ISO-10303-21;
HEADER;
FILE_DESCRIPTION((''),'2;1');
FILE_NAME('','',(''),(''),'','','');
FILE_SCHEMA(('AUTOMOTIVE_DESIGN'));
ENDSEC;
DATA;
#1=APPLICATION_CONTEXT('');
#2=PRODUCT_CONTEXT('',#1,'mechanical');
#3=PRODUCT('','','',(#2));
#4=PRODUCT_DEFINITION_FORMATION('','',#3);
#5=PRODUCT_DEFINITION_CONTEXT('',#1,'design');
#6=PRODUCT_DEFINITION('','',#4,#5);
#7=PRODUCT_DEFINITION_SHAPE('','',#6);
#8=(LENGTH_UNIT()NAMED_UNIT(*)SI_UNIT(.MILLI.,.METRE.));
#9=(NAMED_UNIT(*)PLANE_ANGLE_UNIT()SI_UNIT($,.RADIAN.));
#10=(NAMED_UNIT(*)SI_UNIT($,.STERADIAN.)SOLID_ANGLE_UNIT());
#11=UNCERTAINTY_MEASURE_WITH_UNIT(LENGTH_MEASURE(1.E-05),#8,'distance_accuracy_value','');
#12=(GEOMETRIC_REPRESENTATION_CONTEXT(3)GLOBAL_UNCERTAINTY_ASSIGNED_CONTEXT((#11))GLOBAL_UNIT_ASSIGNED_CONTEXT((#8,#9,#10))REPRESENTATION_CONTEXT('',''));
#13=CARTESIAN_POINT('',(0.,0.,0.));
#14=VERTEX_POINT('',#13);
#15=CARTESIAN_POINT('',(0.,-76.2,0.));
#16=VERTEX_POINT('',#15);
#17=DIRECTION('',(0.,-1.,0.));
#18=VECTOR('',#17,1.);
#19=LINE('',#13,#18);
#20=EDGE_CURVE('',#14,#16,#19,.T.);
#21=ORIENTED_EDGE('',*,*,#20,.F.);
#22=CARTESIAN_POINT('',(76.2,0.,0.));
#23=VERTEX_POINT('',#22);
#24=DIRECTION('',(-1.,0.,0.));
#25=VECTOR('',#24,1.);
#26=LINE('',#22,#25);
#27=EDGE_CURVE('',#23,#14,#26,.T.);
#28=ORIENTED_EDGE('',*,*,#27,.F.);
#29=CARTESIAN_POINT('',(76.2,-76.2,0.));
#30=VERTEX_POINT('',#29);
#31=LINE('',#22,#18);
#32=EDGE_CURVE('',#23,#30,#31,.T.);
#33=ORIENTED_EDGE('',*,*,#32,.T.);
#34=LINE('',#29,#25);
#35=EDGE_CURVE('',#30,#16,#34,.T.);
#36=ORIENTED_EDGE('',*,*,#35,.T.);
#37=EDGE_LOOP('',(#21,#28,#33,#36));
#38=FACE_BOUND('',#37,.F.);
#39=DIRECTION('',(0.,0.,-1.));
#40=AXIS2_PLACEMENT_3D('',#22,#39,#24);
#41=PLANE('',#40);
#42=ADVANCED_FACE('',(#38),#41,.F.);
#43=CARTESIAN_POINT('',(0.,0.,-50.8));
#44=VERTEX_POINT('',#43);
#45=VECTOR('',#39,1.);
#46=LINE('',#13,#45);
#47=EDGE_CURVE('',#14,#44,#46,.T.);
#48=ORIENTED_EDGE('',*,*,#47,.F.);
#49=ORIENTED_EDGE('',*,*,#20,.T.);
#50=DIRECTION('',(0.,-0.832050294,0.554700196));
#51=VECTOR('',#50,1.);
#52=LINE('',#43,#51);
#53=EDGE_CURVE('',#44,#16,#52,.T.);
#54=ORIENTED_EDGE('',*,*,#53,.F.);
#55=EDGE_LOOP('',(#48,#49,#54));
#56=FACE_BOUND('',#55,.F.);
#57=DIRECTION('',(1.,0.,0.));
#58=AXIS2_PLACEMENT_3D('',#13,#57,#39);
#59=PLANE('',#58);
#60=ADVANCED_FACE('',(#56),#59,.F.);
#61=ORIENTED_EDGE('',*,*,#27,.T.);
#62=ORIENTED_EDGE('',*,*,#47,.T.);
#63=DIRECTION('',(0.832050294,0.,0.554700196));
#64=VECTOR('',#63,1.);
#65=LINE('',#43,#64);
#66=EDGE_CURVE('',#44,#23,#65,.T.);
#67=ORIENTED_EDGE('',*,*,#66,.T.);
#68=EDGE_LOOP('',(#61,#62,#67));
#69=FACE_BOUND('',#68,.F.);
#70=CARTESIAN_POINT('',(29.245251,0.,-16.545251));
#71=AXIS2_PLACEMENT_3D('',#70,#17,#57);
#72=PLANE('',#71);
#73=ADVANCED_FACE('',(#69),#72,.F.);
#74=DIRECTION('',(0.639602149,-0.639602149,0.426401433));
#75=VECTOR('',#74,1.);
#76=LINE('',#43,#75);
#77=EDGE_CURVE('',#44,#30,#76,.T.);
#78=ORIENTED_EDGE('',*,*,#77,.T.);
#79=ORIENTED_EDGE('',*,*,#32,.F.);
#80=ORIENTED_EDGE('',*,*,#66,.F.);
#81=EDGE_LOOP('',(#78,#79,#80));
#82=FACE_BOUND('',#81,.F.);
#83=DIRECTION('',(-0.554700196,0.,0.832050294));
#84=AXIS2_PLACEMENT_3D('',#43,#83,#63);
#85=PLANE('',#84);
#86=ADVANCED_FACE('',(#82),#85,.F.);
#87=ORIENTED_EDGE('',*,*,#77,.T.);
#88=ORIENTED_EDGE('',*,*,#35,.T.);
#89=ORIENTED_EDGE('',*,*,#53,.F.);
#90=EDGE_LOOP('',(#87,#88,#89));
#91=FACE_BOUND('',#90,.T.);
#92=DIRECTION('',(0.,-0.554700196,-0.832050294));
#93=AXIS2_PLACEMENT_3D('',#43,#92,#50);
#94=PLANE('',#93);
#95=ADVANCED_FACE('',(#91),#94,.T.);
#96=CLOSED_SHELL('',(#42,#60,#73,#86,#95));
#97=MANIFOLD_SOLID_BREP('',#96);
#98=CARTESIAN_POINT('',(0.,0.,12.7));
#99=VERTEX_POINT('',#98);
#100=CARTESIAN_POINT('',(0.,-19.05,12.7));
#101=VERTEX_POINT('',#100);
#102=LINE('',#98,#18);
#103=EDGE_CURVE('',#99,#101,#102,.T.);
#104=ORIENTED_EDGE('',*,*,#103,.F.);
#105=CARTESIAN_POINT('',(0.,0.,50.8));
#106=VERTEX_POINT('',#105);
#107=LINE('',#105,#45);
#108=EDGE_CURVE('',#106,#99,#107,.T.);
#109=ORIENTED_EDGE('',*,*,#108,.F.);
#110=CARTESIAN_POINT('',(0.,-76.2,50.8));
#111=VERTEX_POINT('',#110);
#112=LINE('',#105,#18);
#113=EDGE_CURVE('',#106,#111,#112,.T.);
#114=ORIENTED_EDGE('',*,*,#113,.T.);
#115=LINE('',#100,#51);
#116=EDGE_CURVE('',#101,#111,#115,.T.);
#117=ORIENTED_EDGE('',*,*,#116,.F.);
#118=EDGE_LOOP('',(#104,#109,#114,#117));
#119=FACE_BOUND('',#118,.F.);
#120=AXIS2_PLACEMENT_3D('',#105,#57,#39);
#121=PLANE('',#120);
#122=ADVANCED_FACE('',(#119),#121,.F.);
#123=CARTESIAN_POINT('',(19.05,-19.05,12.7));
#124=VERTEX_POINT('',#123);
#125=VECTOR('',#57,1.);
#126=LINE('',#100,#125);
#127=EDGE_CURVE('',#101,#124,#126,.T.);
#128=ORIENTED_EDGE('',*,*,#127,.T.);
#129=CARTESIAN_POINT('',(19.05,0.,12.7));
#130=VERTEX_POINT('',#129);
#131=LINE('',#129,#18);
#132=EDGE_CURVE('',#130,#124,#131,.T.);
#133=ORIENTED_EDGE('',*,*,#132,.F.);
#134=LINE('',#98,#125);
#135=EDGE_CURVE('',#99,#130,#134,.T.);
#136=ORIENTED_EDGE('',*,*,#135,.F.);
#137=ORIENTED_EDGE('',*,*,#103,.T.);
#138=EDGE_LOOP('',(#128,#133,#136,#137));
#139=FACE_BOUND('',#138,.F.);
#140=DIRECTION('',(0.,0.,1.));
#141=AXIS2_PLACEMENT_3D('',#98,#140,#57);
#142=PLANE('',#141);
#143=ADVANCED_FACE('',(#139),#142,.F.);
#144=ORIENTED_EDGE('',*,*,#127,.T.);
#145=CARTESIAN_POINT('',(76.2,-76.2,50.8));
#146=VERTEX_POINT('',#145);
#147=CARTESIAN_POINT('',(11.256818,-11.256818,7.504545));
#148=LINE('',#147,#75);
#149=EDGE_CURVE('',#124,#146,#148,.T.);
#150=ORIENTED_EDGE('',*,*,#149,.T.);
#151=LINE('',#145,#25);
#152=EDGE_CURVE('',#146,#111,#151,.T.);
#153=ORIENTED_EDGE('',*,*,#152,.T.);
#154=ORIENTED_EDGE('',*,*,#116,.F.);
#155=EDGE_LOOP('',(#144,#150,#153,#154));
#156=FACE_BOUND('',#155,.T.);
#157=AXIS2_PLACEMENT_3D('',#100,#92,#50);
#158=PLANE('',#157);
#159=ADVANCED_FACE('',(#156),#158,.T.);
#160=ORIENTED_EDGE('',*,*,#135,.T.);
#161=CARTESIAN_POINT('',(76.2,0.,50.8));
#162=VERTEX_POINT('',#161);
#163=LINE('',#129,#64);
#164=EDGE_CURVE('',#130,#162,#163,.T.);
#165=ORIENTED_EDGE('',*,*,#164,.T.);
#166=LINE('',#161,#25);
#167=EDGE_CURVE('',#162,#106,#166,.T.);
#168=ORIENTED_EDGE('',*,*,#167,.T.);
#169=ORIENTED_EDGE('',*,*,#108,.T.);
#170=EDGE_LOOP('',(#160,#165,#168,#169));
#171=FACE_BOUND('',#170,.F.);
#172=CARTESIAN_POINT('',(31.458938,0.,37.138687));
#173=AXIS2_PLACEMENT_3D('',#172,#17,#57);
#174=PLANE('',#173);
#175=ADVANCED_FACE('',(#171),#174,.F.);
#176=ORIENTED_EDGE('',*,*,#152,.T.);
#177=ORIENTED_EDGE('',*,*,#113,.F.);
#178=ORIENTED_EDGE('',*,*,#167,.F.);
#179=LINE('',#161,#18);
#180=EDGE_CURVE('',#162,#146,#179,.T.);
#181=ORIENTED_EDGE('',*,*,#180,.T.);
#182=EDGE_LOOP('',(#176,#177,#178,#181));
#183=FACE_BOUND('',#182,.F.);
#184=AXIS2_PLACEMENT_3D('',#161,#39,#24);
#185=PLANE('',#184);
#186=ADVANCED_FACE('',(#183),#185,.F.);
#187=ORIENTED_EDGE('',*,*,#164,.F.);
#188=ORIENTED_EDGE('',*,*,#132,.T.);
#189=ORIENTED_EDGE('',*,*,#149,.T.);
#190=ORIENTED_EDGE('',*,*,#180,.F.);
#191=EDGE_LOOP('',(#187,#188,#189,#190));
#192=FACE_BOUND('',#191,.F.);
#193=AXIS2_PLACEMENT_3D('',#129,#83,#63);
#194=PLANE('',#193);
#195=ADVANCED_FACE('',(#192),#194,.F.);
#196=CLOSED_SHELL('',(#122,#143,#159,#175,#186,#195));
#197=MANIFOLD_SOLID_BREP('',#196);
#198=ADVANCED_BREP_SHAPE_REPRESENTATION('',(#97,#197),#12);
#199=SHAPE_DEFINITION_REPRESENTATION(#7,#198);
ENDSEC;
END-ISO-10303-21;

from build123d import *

# Parameters (mm, degrees)
F2_DEPTH = 76.2
F4_DEPTH = 76.201


with BuildPart() as f2:
    # F1 (on Front) → F2 (new body)
    with BuildSketch(Plane.XZ):
        Polygon((19.05, 12.7), (76.2, 50.8), (0, 50.8), (0, 12.7), align=None)
    extrude(amount=F2_DEPTH)


with BuildPart() as f2b:
    # F1 (on Front) → F2, piece 2 (new body)
    with BuildSketch(Plane.XZ):
        Polygon((0, 0), (0, -50.8), (76.2, 0), align=None)
    extrude(amount=F2_DEPTH)


with BuildPart() as f4_tool:
    # F3 (on Right) → F4 (new body, through all)
    with BuildSketch(Plane.YZ):
        Polygon((-19.05, 12.7), (-76.2, 50.8), (-76.2, 12.7), align=None)
        Polygon((-76.2, -50.8), (0, -50.8), (-76.2, 0), align=None)
    extrude(amount=F4_DEPTH)


with BuildPart() as f2_1:
    add(f2.part)

    # F4: cut by f4_tool
    add(f4_tool.part, mode=Mode.SUBTRACT)


with BuildPart() as f2b_1:
    add(f2b.part)

    # F4: cut by f4_tool
    add(f4_tool.part, mode=Mode.SUBTRACT)


solid = Compound([f2_1.part, f2b_1.part])
